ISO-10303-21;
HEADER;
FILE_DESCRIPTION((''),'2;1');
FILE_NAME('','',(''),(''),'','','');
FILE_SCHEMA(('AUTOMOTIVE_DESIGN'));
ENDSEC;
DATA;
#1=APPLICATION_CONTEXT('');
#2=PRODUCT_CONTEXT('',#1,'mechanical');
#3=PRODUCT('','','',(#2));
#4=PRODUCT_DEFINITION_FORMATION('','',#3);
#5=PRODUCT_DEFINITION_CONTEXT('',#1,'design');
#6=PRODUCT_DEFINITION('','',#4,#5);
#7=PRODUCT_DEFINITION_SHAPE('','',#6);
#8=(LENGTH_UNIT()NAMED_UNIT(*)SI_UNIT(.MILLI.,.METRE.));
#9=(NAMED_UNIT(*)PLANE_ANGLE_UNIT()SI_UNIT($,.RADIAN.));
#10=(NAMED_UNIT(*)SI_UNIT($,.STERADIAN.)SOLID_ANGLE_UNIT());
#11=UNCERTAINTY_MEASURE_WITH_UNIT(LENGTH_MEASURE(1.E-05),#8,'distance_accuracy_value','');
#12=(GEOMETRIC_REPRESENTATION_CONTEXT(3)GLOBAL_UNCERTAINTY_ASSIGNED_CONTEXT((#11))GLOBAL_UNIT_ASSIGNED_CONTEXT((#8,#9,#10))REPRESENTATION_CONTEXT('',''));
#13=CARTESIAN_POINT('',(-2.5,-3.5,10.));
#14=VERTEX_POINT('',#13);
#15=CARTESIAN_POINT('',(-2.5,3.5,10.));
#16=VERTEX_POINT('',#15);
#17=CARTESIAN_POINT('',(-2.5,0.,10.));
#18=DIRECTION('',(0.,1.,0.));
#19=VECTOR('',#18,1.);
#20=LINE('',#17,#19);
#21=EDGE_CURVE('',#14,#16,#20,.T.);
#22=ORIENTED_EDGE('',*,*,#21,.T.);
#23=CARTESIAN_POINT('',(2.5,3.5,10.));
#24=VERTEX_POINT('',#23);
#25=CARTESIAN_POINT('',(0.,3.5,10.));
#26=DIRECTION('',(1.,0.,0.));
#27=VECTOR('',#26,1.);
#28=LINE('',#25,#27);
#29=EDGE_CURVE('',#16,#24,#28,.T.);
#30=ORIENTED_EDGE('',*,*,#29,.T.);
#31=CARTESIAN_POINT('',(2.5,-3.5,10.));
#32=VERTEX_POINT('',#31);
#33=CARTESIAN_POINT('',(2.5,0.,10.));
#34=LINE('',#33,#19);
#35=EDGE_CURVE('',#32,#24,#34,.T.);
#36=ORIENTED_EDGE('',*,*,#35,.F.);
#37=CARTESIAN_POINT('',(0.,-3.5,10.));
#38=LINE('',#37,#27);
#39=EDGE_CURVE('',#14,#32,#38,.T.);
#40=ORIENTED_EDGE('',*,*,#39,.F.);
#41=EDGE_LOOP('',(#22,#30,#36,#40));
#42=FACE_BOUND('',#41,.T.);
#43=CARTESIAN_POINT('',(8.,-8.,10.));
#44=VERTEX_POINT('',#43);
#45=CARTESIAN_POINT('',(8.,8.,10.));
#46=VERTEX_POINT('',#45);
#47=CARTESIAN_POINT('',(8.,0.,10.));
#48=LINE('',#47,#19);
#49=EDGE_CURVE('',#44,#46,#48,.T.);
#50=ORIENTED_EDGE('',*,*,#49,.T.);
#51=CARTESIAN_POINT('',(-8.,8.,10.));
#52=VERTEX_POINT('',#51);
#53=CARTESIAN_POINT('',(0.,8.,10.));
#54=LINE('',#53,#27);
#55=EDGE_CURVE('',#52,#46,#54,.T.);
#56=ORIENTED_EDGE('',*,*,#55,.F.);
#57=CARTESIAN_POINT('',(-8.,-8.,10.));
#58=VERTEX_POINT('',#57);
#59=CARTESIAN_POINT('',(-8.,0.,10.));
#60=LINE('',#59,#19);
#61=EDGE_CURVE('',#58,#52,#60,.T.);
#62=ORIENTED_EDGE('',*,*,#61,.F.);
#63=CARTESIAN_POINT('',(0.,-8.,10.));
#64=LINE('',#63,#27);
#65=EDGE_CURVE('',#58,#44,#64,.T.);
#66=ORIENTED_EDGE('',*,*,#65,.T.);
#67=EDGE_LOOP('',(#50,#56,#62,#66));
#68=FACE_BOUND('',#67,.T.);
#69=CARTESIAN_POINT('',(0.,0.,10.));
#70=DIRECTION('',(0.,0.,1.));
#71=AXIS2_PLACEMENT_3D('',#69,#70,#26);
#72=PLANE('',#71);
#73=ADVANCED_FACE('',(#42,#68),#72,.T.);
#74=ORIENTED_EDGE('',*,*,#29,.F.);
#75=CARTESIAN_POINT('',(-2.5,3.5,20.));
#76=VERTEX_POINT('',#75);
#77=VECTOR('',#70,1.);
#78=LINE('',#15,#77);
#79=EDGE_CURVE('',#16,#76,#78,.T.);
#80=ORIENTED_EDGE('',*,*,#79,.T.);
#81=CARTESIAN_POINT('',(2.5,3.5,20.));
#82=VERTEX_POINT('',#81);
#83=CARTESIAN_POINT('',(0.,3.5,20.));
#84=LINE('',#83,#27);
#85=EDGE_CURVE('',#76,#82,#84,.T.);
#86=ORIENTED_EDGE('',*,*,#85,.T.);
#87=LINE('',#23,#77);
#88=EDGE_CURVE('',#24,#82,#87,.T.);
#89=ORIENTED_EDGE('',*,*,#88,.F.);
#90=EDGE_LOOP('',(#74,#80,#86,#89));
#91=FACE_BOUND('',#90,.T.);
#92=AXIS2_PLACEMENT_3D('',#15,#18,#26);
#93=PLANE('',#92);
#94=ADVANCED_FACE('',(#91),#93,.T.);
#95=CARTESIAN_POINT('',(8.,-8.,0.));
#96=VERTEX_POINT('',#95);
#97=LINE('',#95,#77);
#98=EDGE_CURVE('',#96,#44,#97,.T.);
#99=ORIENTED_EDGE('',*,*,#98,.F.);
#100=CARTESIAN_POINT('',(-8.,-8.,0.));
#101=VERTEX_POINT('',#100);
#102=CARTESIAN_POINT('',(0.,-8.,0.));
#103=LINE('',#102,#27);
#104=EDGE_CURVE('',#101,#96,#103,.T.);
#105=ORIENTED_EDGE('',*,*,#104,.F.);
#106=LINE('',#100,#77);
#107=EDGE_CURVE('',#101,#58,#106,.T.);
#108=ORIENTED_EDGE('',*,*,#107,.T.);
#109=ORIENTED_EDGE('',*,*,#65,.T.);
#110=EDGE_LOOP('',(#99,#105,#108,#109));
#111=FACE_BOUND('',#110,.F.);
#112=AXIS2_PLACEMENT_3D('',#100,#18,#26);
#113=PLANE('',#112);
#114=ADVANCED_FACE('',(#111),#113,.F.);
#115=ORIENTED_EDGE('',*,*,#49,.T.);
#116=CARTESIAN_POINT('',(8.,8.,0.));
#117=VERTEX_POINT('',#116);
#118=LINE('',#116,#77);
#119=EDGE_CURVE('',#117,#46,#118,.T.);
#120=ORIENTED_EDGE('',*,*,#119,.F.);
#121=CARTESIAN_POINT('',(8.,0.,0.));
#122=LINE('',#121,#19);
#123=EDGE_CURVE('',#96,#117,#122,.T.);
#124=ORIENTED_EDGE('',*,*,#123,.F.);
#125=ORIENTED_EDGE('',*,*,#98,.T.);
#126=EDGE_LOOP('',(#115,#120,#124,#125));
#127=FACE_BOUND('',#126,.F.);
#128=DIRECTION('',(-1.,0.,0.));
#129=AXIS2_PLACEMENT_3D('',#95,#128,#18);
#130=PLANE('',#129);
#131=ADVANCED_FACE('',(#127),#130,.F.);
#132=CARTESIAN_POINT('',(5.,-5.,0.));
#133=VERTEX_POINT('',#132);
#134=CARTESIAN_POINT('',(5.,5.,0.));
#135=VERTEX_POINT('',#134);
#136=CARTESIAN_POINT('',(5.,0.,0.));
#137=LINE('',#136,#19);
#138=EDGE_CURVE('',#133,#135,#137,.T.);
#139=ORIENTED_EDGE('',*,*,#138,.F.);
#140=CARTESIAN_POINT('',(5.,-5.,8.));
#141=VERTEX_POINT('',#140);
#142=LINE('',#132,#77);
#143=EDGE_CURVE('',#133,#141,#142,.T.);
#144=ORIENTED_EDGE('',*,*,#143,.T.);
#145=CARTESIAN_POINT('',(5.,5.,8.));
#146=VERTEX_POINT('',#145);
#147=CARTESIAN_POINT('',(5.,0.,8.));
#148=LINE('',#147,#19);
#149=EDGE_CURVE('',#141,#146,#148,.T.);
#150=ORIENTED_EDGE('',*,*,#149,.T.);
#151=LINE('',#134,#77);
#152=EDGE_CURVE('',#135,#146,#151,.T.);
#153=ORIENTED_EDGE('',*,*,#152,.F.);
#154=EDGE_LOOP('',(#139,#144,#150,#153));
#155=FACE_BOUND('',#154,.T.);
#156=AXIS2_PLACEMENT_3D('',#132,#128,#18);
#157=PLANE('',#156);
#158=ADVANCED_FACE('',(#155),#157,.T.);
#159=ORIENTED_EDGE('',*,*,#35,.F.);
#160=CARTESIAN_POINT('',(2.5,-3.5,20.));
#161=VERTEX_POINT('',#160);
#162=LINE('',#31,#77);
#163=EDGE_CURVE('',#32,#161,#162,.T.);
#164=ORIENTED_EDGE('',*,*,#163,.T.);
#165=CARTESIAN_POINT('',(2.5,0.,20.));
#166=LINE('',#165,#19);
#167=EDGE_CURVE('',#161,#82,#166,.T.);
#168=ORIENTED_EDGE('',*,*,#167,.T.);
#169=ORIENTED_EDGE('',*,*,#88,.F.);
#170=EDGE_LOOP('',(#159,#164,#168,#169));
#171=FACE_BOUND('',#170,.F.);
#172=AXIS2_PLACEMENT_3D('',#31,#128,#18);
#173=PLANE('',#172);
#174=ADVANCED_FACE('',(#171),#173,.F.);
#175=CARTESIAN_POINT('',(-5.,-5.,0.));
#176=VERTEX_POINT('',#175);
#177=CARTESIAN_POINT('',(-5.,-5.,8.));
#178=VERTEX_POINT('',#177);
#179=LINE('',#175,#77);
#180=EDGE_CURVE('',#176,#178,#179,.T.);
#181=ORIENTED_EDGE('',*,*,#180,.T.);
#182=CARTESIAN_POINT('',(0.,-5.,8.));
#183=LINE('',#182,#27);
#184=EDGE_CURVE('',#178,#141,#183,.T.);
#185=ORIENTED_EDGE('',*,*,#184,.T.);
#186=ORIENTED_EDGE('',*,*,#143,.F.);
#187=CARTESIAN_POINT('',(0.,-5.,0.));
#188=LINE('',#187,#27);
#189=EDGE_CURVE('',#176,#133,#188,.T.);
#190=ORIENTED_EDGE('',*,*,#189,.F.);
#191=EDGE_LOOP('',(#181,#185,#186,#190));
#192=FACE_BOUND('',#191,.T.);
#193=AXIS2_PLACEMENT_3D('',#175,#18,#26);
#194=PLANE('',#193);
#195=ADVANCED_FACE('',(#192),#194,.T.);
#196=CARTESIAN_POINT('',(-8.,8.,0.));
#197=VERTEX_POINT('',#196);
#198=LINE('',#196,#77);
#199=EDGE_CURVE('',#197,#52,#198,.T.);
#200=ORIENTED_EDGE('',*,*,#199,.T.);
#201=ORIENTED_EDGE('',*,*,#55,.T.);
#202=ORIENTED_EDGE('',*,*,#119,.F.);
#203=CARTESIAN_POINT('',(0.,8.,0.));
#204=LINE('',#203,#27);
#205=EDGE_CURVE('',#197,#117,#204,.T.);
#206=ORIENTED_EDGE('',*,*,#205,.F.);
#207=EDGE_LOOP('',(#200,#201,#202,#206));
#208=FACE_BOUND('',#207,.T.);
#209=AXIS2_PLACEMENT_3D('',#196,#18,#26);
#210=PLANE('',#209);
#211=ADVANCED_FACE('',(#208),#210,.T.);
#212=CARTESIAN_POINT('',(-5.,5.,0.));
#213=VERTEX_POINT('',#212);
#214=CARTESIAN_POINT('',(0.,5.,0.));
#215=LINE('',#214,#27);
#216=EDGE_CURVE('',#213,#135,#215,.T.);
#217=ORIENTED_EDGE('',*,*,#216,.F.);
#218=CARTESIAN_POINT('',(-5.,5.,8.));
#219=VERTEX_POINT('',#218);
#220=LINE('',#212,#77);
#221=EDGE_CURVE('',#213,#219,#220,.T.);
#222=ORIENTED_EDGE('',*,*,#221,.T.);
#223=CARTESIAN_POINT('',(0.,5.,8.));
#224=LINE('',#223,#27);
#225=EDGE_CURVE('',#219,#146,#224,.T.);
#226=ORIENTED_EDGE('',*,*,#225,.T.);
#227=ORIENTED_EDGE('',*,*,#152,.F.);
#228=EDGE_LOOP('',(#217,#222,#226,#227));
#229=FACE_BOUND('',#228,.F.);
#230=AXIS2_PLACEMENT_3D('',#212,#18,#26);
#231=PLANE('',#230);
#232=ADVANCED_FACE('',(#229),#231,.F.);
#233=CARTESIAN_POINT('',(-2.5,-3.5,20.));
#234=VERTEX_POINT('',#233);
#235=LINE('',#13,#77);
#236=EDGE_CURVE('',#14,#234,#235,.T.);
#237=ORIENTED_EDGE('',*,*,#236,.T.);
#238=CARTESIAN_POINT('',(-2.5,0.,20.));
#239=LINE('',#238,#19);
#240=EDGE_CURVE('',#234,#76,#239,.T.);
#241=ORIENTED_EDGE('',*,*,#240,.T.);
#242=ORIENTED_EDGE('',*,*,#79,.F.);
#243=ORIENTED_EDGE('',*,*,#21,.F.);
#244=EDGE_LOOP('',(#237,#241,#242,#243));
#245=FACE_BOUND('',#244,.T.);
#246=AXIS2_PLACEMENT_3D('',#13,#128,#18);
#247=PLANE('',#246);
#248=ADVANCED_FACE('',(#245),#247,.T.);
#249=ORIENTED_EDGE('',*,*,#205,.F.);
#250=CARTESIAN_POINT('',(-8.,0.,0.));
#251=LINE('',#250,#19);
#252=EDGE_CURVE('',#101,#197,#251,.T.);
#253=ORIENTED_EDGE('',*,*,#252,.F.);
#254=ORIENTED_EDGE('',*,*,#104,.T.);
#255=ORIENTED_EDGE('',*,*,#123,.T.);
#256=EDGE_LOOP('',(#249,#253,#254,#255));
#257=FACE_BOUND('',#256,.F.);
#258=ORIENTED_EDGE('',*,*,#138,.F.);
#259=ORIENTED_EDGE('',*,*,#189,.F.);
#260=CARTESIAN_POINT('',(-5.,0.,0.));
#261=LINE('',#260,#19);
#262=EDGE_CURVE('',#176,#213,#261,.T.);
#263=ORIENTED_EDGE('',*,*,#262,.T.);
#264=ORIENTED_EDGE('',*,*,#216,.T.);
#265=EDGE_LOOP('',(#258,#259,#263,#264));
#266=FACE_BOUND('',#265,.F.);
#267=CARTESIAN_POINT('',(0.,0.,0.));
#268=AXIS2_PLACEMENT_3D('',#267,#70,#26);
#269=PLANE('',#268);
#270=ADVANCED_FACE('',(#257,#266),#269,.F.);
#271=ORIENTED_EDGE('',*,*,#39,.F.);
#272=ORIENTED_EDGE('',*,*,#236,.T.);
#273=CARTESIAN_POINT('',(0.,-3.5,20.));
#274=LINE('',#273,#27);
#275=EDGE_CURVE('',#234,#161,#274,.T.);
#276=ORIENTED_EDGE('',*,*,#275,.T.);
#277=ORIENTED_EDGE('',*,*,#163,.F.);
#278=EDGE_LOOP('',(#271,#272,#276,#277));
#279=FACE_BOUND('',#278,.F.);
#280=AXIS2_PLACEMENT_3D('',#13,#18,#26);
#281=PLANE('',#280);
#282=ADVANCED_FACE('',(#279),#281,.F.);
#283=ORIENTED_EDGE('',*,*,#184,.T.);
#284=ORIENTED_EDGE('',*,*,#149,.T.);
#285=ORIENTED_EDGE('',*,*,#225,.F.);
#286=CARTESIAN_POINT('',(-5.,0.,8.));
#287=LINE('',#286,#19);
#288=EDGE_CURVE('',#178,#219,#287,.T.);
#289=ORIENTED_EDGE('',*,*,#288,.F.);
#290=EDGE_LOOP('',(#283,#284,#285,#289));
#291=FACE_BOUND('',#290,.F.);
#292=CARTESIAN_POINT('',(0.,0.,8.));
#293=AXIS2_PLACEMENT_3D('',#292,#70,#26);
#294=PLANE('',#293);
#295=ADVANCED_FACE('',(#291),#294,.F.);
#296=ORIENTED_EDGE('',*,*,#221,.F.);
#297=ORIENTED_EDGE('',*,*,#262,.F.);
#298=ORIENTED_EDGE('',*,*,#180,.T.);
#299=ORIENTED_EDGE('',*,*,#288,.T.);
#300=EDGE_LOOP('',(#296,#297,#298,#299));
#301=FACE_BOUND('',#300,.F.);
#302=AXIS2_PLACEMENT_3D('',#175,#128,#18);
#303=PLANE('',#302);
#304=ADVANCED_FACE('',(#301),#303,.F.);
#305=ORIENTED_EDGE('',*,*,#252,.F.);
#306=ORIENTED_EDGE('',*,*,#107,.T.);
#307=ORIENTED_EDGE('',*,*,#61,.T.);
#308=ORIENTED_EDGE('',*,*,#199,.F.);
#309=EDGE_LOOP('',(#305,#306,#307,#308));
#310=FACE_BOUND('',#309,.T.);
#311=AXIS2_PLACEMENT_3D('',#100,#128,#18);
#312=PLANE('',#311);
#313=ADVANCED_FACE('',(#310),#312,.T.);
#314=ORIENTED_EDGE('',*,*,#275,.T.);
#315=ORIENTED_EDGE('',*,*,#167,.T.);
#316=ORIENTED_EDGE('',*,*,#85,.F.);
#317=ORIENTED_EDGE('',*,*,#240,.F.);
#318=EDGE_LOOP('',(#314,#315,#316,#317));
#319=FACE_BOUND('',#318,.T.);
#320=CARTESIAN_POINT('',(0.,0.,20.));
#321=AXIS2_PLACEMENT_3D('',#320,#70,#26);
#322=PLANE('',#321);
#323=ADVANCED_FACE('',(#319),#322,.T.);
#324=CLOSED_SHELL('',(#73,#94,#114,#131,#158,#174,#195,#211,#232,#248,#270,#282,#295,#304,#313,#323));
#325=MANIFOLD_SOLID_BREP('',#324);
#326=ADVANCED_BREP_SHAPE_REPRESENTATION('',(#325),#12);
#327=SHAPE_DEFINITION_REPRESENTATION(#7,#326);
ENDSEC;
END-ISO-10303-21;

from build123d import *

# Parameters (mm, degrees)
BOX002_W     = 10
BOX002_H     = 10
BOX002_DEPTH = 8
BOX001_W     = 5
BOX001_H     = 7
BOX001_DEPTH = 10
BOX_W        = 16
BOX_H        = 16
BOX_DEPTH    = 10


with BuildPart() as cube002:
    # Box002 → Box002 (new body)
    with BuildSketch(Plane(origin=(-5, -5, 0), x_dir=(1, 0, 0), z_dir=(0, 0, 1))):
        with Locations((5, 5)):
            Rectangle(BOX002_W, BOX002_H)
    extrude(amount=BOX002_DEPTH)


with BuildPart() as cube001:
    # Box001 → Box001 (new body)
    with BuildSketch(Plane(origin=(-2.5, -3.5, 10), x_dir=(1, 0, 0), z_dir=(0, 0, 1))):
        with Locations((2.5, 3.5)):
            Rectangle(BOX001_W, BOX001_H)
    extrude(amount=BOX001_DEPTH)


with BuildPart() as cut:
    # Box → Box (new body)
    with BuildSketch(Plane(origin=(-8, -8, 0), x_dir=(1, 0, 0), z_dir=(0, 0, 1))):
        with Locations((8, 8)):
            Rectangle(BOX_W, BOX_H)
    extrude(amount=BOX_DEPTH)

    # Fusion: union Cube001
    add(cube001.part)

    # Cut: cut Cube002
    add(cube002.part, mode=Mode.SUBTRACT)


solid = cut.part
